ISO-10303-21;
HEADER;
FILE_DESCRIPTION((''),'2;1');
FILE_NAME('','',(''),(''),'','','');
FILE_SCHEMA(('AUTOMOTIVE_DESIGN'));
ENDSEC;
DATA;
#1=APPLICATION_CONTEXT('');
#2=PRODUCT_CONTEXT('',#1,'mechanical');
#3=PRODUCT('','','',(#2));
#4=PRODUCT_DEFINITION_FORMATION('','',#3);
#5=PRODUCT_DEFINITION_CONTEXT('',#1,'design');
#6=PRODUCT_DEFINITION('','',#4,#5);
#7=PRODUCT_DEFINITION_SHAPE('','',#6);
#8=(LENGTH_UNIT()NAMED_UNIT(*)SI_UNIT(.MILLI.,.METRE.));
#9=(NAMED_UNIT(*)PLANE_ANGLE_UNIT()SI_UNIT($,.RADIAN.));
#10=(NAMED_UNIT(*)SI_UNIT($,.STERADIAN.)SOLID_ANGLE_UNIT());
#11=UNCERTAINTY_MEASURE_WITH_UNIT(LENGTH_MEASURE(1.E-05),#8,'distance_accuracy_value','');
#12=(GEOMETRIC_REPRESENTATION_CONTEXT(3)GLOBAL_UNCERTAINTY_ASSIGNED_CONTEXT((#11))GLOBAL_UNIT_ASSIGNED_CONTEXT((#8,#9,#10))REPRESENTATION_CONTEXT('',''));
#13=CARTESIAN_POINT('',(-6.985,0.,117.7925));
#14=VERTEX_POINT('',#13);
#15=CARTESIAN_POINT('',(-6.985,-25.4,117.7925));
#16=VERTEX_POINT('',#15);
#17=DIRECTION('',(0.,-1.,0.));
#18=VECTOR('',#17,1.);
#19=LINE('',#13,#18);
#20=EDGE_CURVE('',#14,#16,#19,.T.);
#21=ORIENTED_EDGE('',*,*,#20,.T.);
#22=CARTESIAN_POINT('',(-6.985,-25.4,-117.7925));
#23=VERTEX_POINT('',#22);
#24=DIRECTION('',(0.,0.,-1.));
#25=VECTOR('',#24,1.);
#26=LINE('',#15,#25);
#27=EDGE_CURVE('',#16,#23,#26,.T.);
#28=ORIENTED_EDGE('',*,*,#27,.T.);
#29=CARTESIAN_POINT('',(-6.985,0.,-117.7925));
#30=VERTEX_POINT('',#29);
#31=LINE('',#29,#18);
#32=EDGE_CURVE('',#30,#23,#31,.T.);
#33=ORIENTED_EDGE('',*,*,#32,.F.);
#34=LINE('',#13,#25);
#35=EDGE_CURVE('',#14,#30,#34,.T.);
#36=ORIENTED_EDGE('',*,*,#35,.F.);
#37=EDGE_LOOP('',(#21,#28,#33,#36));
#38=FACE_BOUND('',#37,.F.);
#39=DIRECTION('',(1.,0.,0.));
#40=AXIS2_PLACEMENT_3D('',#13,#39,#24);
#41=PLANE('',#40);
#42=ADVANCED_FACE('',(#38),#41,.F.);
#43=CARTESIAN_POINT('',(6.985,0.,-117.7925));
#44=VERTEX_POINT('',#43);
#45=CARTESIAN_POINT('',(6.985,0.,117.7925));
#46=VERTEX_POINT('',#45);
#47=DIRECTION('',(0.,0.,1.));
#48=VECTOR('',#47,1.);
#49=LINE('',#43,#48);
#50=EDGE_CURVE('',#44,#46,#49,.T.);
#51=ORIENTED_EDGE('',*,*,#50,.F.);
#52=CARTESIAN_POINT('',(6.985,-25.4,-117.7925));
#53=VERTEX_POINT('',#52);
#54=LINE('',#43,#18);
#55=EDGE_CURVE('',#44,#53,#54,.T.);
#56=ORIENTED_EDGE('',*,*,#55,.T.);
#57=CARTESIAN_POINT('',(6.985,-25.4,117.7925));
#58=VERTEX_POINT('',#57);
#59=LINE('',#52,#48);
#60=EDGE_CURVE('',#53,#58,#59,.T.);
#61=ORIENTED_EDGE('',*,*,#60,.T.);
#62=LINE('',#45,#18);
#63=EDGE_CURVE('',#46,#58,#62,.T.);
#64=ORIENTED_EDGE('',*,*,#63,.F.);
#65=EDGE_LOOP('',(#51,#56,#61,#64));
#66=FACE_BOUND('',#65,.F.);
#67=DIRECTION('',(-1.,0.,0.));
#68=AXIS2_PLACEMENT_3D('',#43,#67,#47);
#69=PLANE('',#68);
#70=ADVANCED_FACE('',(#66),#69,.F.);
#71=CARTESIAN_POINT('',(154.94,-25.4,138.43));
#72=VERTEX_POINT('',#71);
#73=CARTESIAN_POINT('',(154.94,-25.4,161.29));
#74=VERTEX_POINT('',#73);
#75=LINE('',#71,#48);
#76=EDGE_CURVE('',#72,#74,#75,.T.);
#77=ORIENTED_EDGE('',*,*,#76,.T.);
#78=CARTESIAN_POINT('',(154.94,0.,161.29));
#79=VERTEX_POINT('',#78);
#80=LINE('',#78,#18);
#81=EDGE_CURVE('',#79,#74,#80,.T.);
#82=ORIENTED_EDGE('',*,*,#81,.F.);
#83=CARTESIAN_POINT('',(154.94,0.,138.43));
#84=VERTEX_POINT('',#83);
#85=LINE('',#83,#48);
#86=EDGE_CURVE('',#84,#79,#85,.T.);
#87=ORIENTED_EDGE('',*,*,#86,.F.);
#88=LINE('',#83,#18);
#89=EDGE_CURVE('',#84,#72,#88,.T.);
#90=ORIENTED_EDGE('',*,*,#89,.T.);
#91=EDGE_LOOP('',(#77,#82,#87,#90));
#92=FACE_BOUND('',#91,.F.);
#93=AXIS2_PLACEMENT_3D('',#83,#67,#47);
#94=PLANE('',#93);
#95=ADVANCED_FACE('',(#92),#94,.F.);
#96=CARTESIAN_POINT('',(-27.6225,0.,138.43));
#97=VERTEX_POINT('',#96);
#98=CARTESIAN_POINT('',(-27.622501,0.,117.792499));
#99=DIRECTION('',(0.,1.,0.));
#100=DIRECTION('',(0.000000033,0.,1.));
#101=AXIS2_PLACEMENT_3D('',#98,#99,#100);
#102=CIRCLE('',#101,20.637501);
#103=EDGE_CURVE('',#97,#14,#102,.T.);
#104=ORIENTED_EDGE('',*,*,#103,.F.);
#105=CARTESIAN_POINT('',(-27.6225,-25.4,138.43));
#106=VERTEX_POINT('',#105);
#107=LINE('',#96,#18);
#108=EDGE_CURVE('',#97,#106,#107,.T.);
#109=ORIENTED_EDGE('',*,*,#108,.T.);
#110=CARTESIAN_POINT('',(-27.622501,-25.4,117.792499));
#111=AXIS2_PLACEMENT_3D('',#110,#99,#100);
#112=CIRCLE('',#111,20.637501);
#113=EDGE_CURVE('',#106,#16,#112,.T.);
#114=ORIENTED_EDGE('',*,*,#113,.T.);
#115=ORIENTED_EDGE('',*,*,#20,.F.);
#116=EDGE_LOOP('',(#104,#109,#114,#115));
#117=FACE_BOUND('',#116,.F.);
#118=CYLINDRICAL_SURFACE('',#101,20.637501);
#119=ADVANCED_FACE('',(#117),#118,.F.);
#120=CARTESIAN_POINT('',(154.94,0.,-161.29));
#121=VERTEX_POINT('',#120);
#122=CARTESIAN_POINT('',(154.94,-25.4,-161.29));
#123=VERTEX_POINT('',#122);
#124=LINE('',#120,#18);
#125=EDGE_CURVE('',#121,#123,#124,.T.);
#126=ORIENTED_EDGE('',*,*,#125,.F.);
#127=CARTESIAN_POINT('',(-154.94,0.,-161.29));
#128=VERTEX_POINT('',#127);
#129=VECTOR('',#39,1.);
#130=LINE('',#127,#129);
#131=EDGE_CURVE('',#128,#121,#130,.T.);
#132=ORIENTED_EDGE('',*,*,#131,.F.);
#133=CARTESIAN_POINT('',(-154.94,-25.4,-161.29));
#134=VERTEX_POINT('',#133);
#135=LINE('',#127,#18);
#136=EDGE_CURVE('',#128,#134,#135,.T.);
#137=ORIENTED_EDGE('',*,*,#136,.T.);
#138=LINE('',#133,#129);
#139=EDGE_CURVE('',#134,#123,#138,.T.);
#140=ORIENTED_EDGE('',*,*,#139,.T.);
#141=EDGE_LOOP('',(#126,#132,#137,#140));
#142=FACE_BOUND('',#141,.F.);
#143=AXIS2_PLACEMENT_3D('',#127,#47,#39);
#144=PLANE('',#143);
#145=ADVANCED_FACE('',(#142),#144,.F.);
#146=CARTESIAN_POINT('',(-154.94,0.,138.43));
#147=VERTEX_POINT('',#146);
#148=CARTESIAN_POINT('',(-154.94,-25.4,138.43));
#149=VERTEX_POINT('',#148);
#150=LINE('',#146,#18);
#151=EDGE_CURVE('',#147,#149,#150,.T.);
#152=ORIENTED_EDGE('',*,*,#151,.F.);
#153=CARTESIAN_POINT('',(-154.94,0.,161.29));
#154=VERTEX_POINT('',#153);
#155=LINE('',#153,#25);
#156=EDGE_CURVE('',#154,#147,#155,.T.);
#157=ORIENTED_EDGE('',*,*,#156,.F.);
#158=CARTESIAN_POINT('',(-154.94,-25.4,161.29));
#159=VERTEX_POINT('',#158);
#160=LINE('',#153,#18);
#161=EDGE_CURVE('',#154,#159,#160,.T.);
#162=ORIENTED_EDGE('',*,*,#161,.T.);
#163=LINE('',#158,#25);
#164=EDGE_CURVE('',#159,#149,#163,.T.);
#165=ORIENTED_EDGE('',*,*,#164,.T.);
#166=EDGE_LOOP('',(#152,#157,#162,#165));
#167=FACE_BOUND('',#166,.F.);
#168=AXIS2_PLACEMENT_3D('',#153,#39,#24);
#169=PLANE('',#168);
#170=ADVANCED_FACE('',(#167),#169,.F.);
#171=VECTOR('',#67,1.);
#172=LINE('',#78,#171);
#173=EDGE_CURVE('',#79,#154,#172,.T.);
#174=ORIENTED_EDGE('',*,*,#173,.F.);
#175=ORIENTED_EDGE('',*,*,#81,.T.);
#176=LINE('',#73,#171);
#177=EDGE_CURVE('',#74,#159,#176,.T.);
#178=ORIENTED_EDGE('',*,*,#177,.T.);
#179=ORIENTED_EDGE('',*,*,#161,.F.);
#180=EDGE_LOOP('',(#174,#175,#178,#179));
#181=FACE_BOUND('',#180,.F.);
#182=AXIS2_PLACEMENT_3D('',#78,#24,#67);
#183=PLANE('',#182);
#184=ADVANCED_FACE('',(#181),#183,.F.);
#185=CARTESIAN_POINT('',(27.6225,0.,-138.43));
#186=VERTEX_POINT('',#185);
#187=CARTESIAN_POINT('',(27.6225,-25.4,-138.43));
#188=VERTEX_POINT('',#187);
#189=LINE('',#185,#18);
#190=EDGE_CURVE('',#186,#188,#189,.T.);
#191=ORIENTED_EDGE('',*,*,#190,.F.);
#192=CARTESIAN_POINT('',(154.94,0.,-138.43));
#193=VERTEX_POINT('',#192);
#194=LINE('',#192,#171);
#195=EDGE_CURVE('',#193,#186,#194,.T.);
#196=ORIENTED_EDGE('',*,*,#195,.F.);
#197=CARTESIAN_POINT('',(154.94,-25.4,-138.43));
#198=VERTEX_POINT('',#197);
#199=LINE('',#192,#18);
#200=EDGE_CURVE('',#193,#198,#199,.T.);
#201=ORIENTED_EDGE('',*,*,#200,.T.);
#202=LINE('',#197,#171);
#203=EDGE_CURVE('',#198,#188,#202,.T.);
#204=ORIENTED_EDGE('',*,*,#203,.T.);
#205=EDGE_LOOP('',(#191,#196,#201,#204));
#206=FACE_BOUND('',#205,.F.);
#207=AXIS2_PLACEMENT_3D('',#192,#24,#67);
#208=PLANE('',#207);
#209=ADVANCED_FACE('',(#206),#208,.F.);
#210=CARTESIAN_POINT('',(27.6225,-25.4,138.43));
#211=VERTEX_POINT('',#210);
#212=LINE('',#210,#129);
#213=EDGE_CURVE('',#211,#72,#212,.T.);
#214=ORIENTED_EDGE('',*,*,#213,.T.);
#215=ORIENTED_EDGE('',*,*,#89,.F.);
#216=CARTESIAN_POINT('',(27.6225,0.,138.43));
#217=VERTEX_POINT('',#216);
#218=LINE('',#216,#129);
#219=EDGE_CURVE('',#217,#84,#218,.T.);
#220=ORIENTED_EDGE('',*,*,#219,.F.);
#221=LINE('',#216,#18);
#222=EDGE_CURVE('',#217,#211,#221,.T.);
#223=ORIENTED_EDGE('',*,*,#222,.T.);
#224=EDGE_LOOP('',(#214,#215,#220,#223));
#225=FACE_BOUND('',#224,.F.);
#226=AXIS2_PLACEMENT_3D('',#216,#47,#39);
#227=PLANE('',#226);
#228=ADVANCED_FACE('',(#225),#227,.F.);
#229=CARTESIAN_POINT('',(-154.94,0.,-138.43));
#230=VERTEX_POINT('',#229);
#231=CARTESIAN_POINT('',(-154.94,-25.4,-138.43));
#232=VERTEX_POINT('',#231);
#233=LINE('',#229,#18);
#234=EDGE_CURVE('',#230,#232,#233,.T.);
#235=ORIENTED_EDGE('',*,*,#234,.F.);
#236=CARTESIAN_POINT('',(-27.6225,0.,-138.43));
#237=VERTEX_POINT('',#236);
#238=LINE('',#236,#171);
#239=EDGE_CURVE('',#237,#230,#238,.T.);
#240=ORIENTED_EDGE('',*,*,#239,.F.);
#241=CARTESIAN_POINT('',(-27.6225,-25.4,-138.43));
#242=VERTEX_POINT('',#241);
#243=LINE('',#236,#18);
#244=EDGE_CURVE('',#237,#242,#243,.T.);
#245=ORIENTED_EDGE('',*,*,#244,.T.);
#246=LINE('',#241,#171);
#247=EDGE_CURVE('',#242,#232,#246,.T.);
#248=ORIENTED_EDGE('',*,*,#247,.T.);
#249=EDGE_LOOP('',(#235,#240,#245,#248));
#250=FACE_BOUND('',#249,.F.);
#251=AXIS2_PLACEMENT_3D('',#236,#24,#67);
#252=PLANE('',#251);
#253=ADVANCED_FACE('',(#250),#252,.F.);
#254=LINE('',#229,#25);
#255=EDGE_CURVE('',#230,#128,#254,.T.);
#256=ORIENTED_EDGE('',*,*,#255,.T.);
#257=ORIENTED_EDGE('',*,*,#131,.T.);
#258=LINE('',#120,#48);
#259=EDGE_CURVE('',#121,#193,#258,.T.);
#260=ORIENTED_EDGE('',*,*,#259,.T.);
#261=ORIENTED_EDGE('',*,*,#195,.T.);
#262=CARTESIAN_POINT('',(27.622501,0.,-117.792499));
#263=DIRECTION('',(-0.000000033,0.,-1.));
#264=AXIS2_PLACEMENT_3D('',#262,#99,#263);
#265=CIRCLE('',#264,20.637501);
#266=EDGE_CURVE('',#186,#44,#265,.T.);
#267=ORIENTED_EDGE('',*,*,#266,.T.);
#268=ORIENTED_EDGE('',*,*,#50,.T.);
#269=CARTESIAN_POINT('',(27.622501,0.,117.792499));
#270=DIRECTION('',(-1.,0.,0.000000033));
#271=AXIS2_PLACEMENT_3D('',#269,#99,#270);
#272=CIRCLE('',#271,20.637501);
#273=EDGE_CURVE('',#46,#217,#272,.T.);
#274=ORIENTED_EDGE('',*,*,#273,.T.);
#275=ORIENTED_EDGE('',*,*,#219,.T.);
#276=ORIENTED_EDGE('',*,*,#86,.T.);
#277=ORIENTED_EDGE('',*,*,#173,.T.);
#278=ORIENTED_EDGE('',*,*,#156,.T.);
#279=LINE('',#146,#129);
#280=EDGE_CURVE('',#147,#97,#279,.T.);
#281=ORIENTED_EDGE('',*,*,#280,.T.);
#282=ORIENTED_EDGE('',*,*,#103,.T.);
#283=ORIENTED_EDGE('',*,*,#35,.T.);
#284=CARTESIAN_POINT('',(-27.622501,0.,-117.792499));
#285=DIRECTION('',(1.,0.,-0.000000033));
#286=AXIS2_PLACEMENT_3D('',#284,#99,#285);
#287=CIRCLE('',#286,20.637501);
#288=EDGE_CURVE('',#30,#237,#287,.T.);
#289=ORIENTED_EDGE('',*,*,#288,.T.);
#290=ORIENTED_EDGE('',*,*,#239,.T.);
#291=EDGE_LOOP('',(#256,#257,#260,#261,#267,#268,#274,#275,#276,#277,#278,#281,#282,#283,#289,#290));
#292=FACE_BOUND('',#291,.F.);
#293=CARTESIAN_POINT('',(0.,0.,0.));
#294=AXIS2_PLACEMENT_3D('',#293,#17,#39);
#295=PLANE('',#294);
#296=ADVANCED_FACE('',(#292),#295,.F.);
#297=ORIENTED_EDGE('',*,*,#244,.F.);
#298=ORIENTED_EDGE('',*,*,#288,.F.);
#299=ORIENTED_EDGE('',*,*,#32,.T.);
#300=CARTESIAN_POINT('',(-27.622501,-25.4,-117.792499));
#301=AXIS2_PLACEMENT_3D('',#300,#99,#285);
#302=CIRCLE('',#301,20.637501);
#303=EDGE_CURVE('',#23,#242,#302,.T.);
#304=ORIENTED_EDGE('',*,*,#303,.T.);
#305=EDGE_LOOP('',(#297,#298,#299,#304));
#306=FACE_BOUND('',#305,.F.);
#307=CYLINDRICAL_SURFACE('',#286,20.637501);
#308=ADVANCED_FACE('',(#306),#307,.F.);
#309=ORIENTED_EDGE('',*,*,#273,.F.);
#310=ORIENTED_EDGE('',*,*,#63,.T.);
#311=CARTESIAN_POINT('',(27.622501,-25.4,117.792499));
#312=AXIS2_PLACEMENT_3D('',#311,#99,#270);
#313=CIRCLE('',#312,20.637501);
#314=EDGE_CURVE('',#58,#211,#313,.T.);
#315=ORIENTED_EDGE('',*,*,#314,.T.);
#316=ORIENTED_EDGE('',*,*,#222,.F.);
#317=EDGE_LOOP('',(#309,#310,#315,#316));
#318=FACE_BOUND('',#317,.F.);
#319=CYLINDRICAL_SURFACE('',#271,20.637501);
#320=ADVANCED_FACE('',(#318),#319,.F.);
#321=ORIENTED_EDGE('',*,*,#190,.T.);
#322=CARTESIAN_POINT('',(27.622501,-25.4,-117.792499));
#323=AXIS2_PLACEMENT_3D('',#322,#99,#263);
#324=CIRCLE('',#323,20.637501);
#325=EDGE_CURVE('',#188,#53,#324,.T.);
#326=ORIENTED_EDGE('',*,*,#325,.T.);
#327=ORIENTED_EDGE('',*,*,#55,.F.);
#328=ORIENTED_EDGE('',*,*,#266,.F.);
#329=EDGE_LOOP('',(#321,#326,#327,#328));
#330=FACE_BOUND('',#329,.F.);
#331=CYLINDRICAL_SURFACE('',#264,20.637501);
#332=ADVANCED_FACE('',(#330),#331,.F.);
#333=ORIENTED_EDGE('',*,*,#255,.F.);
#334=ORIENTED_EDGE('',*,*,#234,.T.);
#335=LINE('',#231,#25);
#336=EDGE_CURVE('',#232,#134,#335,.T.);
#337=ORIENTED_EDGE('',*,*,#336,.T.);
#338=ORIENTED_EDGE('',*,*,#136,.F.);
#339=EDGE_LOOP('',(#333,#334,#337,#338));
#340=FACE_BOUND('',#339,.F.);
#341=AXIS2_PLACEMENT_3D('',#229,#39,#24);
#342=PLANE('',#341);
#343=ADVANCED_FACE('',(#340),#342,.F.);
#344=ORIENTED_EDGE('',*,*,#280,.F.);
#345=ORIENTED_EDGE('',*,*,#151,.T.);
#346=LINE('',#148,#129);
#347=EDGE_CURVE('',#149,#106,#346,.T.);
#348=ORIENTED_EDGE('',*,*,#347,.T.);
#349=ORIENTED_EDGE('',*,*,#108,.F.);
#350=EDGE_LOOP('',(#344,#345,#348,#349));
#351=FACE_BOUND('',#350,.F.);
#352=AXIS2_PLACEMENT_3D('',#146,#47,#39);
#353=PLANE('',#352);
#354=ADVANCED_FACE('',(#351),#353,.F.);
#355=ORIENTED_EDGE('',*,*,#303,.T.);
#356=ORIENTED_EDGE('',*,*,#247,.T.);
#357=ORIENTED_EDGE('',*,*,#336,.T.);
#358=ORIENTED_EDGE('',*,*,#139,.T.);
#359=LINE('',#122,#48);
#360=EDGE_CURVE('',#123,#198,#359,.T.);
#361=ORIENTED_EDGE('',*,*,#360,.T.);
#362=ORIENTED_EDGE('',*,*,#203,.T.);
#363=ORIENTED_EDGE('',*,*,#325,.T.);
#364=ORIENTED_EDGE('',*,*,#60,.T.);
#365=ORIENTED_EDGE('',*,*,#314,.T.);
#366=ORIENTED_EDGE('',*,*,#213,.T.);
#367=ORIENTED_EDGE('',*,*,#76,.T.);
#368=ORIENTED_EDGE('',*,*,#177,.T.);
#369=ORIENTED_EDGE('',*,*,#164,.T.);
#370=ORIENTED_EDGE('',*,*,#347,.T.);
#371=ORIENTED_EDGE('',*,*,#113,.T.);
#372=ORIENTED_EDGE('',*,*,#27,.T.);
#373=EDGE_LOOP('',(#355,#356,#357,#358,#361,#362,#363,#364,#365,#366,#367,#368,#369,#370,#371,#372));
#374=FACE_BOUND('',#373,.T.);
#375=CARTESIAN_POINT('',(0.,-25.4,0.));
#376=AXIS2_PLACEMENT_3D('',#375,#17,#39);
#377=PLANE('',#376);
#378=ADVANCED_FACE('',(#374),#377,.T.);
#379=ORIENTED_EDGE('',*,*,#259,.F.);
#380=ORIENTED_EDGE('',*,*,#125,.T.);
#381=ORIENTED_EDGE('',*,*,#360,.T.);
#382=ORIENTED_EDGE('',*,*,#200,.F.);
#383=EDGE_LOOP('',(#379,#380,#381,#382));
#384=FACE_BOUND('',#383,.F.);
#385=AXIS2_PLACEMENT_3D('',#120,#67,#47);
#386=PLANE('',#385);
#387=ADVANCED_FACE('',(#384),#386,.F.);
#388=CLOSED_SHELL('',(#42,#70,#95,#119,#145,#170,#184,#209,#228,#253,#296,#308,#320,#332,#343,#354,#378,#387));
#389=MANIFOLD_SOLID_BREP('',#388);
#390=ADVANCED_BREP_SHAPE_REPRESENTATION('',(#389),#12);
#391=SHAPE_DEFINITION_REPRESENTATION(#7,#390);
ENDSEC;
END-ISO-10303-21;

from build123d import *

# Parameters (mm, degrees)
F1_DEPTH = 25.4


with BuildPart() as f1:
    # F0 (on Front) → F1 (new body)
    with BuildSketch(Plane.XZ):
        with BuildLine():
            Line((154.94, 161.29), (-154.94, 161.29))
            Line((-154.94, 161.29), (-154.94, 138.43))
            Line((-154.94, 138.43), (-27.6225, 138.43))
            ThreePointArc((-27.6225, 138.43), (-13.029584, 132.385416), (-6.985, 117.7925))
            Line((-6.985, 117.7925), (-6.985, -117.7925))
            ThreePointArc((-6.985, -117.7925), (-13.029584, -132.385416), (-27.6225, -138.43))
            Line((-27.6225, -138.43), (-154.94, -138.43))
            Line((-154.94, -138.43), (-154.94, -161.29))
            Line((-154.94, -161.29), (154.94, -161.29))
            Line((154.94, -161.29), (154.94, -138.43))
            Line((154.94, -138.43), (27.6225, -138.43))
            ThreePointArc((27.6225, -138.43), (13.029584, -132.385416), (6.985, -117.7925))
            Line((6.985, -117.7925), (6.985, 117.7925))
            ThreePointArc((6.985, 117.7925), (13.029584, 132.385416), (27.6225, 138.43))
            Line((27.6225, 138.43), (154.94, 138.43))
            Line((154.94, 138.43), (154.94, 161.29))
        make_face()
    extrude(amount=F1_DEPTH)


solid = f1.part
